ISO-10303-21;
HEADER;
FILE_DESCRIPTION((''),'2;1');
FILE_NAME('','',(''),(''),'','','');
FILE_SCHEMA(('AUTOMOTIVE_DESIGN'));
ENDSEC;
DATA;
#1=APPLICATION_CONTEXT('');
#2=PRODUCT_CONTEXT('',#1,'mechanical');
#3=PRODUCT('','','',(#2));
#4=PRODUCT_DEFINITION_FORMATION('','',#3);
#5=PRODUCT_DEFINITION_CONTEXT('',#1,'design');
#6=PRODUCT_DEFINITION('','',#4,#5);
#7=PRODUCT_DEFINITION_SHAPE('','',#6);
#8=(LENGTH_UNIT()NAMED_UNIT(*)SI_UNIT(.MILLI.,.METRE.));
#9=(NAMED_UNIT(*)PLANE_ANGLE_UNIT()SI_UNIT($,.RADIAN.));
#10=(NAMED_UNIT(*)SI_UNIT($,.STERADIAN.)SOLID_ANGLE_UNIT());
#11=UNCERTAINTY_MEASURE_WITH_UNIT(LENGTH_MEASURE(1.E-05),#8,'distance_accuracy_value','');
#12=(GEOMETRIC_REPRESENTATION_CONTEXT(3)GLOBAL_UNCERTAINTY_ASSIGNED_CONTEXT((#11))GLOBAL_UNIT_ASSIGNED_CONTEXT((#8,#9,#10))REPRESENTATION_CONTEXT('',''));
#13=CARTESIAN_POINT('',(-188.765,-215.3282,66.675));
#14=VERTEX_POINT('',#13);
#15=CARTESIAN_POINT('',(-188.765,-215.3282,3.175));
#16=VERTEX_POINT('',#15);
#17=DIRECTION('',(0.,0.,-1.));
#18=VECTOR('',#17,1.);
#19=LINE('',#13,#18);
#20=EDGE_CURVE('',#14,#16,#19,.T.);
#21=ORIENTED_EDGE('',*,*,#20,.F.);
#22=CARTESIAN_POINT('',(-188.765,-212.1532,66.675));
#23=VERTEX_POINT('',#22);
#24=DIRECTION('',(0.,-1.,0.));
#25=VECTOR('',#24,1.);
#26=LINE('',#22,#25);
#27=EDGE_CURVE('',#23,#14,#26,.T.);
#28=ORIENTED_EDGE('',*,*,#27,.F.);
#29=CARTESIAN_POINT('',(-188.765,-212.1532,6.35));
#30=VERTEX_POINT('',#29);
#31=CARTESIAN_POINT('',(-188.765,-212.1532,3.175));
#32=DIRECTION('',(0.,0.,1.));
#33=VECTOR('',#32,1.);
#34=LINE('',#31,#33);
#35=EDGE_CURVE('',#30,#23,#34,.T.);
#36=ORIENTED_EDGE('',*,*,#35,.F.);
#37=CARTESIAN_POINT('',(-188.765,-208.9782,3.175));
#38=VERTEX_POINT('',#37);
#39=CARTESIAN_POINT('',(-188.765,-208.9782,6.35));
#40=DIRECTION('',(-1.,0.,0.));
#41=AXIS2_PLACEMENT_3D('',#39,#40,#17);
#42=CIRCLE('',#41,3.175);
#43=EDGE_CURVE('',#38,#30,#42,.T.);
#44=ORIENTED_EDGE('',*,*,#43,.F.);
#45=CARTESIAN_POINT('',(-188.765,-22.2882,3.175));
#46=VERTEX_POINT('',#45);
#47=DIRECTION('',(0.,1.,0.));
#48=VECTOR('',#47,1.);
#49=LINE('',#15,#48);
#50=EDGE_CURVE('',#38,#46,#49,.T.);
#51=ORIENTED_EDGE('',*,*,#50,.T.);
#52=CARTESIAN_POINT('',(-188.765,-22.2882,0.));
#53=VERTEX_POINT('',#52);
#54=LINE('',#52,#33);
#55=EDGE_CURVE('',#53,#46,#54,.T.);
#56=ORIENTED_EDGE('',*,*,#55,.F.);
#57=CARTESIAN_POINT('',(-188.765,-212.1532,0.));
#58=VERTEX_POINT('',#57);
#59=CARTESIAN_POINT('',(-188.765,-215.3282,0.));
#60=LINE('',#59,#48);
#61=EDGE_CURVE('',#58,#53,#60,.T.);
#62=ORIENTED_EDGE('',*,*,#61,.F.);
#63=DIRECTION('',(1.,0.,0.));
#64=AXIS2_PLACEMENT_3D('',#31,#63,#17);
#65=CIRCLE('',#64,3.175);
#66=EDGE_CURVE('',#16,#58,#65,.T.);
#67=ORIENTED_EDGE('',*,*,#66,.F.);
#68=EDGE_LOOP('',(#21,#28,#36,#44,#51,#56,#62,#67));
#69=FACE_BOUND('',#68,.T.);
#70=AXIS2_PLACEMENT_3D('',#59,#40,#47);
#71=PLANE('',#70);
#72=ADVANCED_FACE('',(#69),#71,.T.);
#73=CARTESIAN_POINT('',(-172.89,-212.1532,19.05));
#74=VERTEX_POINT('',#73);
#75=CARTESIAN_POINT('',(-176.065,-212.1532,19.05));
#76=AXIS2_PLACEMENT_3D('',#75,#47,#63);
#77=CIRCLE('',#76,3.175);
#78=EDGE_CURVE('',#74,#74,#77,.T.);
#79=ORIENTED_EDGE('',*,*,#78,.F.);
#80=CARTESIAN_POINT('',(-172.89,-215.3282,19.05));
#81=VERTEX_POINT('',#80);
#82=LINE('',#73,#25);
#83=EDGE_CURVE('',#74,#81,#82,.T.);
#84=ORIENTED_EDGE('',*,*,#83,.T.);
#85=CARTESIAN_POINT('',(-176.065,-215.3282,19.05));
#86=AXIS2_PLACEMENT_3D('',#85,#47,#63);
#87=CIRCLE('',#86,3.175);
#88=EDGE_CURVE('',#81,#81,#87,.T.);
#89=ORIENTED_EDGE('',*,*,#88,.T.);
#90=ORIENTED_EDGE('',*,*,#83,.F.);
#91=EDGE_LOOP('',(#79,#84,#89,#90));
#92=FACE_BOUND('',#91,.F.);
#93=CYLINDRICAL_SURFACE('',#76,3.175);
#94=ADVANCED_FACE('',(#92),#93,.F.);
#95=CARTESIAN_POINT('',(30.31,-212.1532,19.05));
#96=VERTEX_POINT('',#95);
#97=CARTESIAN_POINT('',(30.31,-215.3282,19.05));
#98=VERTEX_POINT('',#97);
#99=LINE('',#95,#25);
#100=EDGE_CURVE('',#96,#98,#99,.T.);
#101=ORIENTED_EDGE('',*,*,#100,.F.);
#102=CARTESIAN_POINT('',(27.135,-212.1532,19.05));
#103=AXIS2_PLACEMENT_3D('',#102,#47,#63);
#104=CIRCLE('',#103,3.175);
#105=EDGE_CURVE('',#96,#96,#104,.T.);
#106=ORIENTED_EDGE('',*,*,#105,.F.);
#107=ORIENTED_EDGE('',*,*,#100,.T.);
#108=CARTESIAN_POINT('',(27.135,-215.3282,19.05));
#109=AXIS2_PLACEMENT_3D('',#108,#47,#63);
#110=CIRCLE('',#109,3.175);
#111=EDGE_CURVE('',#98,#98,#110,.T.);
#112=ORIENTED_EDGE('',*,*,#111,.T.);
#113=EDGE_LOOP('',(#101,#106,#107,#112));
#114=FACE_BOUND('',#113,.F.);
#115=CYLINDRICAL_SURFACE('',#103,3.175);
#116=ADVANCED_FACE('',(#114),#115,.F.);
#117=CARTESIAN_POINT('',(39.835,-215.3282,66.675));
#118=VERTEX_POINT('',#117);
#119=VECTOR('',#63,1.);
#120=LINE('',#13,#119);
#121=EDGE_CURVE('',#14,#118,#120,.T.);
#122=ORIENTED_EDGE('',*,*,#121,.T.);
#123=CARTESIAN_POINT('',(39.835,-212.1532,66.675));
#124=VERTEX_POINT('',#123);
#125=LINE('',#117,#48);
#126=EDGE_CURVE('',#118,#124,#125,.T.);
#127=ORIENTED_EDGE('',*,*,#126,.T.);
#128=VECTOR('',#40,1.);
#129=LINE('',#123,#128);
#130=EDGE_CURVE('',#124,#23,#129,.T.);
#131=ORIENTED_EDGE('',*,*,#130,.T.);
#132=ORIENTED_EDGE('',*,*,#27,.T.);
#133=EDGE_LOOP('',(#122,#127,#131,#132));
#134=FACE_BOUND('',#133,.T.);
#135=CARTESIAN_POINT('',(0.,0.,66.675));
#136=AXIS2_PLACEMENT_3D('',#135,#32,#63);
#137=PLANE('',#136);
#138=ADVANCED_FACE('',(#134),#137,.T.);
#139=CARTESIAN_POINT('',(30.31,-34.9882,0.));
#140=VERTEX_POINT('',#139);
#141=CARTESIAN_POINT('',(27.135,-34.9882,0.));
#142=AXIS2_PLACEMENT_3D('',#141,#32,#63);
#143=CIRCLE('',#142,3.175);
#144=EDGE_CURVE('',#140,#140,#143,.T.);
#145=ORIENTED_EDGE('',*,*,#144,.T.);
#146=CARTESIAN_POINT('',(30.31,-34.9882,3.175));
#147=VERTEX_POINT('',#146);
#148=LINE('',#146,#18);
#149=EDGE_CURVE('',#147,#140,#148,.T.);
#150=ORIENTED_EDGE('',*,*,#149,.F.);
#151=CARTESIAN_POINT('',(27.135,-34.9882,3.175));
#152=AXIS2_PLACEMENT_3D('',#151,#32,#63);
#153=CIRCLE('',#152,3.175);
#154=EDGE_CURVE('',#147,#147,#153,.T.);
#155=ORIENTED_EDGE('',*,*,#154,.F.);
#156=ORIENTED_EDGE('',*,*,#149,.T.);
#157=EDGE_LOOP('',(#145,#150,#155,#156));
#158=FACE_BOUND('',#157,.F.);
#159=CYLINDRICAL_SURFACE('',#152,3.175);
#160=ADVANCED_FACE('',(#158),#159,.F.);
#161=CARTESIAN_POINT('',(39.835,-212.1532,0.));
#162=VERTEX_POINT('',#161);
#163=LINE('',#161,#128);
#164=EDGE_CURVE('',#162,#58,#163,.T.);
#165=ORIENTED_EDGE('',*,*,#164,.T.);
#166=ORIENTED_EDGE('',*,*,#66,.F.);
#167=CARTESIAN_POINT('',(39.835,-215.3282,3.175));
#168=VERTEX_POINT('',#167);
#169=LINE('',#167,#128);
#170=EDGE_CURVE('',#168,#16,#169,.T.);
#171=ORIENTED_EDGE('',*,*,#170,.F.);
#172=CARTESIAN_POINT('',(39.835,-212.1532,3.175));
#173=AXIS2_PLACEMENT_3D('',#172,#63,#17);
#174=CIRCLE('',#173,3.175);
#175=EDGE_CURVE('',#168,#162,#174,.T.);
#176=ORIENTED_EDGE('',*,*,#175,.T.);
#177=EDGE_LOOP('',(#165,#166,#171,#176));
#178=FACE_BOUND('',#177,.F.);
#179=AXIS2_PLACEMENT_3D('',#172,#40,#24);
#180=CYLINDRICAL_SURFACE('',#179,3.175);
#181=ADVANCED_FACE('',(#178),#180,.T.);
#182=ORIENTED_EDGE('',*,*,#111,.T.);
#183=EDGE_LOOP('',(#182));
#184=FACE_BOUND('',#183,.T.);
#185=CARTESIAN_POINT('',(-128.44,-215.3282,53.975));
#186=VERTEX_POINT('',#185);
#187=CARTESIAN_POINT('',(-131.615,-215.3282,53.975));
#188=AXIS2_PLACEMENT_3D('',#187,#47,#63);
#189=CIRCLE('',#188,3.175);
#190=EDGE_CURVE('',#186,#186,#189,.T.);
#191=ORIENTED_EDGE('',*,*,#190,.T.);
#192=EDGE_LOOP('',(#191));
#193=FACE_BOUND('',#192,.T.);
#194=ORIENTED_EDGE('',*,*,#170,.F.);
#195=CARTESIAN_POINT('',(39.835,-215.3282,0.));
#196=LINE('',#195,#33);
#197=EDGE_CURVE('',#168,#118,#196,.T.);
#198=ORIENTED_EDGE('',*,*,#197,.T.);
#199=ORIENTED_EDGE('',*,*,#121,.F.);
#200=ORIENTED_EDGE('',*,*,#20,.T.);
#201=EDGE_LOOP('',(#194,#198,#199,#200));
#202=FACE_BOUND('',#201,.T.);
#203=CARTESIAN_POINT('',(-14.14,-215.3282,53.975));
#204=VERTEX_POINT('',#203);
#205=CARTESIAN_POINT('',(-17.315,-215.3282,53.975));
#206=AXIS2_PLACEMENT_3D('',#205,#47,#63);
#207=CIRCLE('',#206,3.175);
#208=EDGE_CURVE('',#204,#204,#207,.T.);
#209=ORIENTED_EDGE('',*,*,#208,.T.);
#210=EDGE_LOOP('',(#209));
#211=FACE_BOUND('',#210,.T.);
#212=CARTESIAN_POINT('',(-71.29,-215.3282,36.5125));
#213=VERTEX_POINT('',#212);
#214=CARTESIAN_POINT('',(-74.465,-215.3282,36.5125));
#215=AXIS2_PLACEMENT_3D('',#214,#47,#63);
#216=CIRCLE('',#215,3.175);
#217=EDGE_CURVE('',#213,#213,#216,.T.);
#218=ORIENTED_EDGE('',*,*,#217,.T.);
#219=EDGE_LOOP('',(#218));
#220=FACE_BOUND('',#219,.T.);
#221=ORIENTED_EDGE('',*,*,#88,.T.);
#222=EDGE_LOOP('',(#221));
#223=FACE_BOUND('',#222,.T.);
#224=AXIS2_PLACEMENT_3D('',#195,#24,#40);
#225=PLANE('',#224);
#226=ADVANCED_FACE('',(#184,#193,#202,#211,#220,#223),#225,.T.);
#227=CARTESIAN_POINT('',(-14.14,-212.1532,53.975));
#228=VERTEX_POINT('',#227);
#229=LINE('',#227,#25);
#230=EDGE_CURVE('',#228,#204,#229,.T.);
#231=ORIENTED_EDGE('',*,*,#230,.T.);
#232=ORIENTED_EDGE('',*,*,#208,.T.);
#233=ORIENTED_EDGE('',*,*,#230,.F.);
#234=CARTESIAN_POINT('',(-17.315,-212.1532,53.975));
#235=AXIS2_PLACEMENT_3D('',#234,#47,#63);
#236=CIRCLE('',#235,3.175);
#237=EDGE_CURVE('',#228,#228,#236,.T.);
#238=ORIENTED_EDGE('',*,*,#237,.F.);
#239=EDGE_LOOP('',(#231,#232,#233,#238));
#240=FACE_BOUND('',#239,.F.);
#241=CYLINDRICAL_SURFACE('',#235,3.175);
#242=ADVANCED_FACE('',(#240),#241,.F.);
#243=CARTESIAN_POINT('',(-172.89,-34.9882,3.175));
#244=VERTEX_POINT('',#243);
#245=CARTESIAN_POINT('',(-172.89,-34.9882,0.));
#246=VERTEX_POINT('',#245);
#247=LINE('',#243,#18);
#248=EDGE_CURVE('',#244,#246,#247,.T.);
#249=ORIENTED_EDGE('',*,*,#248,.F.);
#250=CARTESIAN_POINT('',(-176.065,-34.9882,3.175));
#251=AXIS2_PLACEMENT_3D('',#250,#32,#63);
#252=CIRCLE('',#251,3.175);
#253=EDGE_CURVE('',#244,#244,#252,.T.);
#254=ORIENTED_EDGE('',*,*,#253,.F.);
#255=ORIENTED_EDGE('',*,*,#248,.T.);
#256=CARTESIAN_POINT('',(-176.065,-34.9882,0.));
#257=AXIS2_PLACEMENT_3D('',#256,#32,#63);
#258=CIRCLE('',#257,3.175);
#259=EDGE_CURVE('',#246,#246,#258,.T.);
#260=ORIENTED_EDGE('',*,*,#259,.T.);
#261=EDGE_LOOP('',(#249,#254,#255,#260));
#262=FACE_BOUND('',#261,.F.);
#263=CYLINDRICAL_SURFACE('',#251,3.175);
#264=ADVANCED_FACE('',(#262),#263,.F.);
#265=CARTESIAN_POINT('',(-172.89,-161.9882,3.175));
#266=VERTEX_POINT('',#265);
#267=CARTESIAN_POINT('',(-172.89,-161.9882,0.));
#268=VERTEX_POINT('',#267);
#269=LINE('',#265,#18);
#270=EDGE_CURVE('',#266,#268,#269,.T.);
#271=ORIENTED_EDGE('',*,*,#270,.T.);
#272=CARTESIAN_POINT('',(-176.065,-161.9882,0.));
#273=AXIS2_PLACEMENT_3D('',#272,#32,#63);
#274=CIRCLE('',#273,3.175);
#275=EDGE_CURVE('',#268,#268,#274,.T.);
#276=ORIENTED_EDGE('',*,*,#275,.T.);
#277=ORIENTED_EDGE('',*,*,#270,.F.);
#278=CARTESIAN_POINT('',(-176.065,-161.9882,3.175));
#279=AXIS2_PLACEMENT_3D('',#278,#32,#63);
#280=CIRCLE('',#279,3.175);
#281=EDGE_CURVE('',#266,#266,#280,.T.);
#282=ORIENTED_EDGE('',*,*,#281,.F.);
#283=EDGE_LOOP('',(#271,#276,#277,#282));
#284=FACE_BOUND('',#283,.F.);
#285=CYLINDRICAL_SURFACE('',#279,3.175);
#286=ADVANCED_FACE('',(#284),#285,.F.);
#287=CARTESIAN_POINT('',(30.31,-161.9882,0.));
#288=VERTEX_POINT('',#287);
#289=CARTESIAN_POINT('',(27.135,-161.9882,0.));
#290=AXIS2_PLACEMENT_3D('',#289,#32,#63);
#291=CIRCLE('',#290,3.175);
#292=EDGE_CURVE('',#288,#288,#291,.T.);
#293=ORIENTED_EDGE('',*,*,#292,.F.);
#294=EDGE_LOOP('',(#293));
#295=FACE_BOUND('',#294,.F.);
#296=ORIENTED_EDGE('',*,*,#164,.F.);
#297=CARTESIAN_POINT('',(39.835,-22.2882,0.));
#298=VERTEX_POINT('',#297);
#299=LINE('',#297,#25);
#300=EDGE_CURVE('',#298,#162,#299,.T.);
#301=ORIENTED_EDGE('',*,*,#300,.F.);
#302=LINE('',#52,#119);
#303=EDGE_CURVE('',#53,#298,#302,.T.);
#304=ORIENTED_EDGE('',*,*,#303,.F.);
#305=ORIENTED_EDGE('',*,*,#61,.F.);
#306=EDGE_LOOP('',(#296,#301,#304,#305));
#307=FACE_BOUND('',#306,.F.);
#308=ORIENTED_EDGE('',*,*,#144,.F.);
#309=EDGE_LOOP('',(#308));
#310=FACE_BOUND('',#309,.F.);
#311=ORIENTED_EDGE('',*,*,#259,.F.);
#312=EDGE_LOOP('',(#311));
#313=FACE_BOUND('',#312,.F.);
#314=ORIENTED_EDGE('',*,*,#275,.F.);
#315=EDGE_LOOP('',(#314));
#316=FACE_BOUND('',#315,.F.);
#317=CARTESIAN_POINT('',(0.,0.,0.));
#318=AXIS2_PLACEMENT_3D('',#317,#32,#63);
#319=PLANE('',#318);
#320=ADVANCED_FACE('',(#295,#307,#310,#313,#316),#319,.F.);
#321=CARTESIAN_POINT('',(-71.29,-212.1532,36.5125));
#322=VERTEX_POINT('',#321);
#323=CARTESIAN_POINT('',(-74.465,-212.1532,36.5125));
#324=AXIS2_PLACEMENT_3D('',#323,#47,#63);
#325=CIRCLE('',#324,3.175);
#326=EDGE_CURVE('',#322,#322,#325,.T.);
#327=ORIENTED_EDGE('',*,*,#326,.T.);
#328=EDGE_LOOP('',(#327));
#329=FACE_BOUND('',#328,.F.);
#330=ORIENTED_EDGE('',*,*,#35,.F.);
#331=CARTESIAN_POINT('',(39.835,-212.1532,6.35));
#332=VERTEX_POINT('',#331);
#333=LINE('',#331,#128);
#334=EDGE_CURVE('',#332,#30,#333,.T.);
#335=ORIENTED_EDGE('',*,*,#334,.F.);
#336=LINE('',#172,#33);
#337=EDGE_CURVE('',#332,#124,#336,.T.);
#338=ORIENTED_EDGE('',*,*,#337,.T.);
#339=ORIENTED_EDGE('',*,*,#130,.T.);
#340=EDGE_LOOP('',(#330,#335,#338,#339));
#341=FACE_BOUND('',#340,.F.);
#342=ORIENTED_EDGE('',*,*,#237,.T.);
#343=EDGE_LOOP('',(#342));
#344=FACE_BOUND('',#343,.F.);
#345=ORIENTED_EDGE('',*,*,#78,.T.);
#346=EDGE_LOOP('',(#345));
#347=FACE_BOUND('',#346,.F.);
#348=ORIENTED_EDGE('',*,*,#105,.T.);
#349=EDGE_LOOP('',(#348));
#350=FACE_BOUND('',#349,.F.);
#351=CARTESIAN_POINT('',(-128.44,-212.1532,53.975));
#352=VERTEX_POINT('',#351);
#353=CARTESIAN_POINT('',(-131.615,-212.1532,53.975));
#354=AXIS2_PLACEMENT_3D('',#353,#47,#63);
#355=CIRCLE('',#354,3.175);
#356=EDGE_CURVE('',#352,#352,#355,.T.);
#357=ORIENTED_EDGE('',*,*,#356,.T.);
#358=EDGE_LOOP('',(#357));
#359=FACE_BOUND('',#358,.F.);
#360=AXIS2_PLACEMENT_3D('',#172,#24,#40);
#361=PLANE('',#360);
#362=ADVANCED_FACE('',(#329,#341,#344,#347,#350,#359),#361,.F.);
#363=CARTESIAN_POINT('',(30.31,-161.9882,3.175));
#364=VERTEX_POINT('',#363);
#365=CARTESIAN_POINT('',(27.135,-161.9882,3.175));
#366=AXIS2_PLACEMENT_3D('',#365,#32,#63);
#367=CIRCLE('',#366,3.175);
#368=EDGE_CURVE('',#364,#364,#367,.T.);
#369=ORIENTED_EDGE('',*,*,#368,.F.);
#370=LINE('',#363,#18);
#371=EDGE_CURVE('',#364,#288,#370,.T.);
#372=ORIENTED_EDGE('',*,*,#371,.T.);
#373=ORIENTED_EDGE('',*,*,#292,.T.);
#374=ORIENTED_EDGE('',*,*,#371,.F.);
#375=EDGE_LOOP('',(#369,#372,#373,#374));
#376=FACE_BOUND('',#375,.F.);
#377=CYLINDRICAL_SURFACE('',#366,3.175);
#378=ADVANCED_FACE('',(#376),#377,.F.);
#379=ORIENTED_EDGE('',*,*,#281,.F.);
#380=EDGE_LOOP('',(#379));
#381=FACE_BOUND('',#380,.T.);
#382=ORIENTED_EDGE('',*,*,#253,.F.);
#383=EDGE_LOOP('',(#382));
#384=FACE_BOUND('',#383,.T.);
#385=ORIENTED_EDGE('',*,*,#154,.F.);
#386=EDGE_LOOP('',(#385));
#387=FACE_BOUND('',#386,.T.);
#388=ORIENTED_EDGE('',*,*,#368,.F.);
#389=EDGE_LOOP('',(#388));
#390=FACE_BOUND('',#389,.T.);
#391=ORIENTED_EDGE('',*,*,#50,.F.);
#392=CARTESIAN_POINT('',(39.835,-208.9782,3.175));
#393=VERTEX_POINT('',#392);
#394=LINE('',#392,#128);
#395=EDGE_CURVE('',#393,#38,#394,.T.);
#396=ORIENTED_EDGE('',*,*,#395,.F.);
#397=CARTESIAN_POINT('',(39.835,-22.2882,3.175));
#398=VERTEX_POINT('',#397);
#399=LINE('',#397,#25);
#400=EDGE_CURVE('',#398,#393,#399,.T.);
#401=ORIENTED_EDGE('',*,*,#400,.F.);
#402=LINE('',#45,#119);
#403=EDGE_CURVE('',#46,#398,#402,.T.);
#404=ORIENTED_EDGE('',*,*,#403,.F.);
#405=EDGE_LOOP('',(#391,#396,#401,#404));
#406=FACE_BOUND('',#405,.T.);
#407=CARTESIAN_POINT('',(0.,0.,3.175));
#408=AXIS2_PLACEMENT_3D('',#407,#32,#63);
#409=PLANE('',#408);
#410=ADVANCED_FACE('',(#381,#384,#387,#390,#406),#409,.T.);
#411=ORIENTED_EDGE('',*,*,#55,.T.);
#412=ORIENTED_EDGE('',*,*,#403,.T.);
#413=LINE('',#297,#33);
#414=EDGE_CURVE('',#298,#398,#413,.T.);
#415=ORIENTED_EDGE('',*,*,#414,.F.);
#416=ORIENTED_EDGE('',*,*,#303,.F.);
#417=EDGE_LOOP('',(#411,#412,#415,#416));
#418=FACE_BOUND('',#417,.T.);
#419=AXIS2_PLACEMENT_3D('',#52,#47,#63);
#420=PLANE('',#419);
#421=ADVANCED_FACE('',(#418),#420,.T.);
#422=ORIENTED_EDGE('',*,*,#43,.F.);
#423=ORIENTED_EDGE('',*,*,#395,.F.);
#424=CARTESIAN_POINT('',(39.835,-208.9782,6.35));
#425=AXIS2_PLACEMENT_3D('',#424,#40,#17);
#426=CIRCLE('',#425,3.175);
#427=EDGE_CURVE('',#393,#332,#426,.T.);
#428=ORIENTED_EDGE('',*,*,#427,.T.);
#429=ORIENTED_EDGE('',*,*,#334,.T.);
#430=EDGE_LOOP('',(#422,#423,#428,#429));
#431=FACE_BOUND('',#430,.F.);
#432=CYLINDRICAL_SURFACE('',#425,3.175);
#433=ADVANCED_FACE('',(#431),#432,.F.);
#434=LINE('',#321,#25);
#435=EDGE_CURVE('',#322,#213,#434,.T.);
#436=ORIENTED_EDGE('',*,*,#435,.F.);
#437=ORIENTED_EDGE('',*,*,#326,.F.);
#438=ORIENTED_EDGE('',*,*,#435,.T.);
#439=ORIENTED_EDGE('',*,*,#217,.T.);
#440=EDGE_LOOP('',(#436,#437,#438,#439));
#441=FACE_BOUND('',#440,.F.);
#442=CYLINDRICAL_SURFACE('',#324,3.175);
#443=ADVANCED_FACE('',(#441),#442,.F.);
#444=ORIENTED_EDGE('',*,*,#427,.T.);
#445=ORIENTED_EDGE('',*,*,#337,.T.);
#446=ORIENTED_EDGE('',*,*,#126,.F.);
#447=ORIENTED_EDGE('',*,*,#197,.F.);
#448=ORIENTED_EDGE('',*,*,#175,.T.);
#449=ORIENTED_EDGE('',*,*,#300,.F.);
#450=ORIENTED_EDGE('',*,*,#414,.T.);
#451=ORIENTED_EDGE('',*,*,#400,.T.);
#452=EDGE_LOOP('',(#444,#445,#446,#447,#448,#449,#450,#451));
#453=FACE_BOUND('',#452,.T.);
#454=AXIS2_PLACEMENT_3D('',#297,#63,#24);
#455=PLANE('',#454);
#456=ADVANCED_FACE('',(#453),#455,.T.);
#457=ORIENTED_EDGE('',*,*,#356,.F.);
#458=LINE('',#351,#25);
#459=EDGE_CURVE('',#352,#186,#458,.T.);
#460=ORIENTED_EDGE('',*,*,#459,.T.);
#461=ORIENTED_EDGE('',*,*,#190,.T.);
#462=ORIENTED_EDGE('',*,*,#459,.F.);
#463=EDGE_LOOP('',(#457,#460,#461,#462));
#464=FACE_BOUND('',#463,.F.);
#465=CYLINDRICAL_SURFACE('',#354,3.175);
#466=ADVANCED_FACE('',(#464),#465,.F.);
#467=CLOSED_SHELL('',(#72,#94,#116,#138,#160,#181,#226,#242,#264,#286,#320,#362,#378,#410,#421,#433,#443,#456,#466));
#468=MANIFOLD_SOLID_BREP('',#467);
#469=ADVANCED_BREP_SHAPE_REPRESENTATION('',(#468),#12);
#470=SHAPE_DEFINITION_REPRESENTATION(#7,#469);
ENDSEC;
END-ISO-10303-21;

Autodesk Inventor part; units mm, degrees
ref_plane "YZ Plane" through (0, 0, 0) normal (1, 0, 0) x (0, 1, 0)
ref_plane "XZ Plane" through (0, 0, 0) normal (0, 1, 0) x (-1, 0, 0)
ref_plane "XY Plane" through (0, 0, 0) normal (0, 0, 1) x (1, 0, 0)
sketch "Sketch1" plane through (0, 0, 0) normal (0, 0, 1) x (1, 0, 0)
  line L0 (39.835, -215.3282) -> (-188.765, -215.3282)
  line L1 (-188.765, -215.3282) -> (-188.765, -22.2882)
  line L2 (-188.765, -22.2882) -> (39.835, -22.2882)
  line L3 (39.835, -22.2882) -> (39.835, -215.3282)
  point P0 (0, 0)
  dimension "d0" = 228.6
  dimension "d1" = 193.04
extrude "Extrusion1" add sketch "Sketch1" along normal blind 3.175
sketch "Sketch2" plane through (0, 0, 3.175) normal (0, 0, 1) x (1, 0, 0)
  line L0 (-188.765, -215.3282) -> (39.835, -215.3282)
  line L1 (39.835, -215.3282) -> (39.835, -212.1532)
  line L2 (39.835, -212.1532) -> (-188.765, -212.1532)
  line L3 (-188.765, -212.1532) -> (-188.765, -215.3282)
  point P0 (0, 0)
  dimension "d4" = 228.6
  dimension "d5" = 3.175
extrude "Extrusion2" add sketch "Sketch2" along normal blind 63.5
fillet "Fillet1" radius 3.175 2 edges at (-74.465, -212.1532, 3.175) (-74.465, -215.3282, 0)
sketch "Sketch3" plane through (-188.765, -212.1532, 66.675) normal (0, 1, 0) x (1, 0, 0)
  line L0 (0, 60.325) -> (228.6, 60.325) projected
  line L1 (0, 60.325) -> (0, 0) projected
  line L2 (0, 0) -> (228.6, 0) projected
  line L3 (228.6, 60.325) -> (228.6, 0) projected
  circle A0 centre (12.7, 47.625) radius 3.175
  circle A1 centre (114.3, 30.1625) radius 3.175
  circle A2 centre (215.9, 47.625) radius 3.175
  circle A3 centre (57.15, 12.7) radius 3.175
  circle A4 centre (171.45, 12.7) radius 3.175
  point P0 (188.765, 66.675)
  dimension "d9" = 6.35
  dimension "d10" = 6.35
  dimension "d11" = 6.35
  dimension "d12" = 6.35
  dimension "d13" = 6.35
  dimension "d14" = 12.7
  dimension "d15" = 12.7
  dimension "d16" = 12.7
  dimension "d17" = 12.7
  dimension "d18" = 114.3
  dimension "d19" = 228.6
  dimension "d20" = 57.15
  dimension "d21" = 12.7
  dimension "d22" = 12.7
  dimension "d23" = 57.15
  dimension "d24" = 30.1625
  dimension "d25" = 60.325
extrude "Extrusion3" cut sketch "Sketch3" against normal blind 63.5 contours A0 | A1 | A2 | A3 | A4
sketch "Sketch4" plane through (0, 0, 3.175) normal (0, 0, 1) x (1, 0, 0)
  line L0 (39.835, -22.2882) -> (39.835, -208.9782) projected
  line L1 (-188.765, -22.2882) -> (39.835, -22.2882) projected
  line L2 (-188.765, -208.9782) -> (-188.765, -22.2882) projected
  circle A0 centre (-176.065, -34.9882) radius 3.175
  circle A1 centre (27.135, -34.9882) radius 3.175
  circle A2 centre (-176.065, -161.9882) radius 3.175
  circle A3 centre (27.135, -161.9882) radius 3.175
  point P0 (0, 0)
  dimension "d28" = 6.35
  dimension "d29" = 6.35
  dimension "d30" = 12.7
  dimension "d31" = 12.7
  dimension "d32" = 12.7
  dimension "d33" = 12.7
  dimension "d34" = 6.35
  dimension "d35" = 6.35
  dimension "d36" = 12.7
  dimension "d37" = 12.7
  dimension "d38" = 127
  dimension "d39" = 127
extrude "Extrusion4" cut sketch "Sketch4" against normal blind 63.5
equation "\"d18\" = 0.5 * d19"
equation "\"d20\" = 0.25 * d19"
equation "\"d22\" = d21"
equation "\"d23\" = d20"
equation "\"d24\" = 0.5 * d25"
equation "\"d37\" = d36"
equation "\"d39\" = d38"
properties part number "PowerDistributionStandmount"
